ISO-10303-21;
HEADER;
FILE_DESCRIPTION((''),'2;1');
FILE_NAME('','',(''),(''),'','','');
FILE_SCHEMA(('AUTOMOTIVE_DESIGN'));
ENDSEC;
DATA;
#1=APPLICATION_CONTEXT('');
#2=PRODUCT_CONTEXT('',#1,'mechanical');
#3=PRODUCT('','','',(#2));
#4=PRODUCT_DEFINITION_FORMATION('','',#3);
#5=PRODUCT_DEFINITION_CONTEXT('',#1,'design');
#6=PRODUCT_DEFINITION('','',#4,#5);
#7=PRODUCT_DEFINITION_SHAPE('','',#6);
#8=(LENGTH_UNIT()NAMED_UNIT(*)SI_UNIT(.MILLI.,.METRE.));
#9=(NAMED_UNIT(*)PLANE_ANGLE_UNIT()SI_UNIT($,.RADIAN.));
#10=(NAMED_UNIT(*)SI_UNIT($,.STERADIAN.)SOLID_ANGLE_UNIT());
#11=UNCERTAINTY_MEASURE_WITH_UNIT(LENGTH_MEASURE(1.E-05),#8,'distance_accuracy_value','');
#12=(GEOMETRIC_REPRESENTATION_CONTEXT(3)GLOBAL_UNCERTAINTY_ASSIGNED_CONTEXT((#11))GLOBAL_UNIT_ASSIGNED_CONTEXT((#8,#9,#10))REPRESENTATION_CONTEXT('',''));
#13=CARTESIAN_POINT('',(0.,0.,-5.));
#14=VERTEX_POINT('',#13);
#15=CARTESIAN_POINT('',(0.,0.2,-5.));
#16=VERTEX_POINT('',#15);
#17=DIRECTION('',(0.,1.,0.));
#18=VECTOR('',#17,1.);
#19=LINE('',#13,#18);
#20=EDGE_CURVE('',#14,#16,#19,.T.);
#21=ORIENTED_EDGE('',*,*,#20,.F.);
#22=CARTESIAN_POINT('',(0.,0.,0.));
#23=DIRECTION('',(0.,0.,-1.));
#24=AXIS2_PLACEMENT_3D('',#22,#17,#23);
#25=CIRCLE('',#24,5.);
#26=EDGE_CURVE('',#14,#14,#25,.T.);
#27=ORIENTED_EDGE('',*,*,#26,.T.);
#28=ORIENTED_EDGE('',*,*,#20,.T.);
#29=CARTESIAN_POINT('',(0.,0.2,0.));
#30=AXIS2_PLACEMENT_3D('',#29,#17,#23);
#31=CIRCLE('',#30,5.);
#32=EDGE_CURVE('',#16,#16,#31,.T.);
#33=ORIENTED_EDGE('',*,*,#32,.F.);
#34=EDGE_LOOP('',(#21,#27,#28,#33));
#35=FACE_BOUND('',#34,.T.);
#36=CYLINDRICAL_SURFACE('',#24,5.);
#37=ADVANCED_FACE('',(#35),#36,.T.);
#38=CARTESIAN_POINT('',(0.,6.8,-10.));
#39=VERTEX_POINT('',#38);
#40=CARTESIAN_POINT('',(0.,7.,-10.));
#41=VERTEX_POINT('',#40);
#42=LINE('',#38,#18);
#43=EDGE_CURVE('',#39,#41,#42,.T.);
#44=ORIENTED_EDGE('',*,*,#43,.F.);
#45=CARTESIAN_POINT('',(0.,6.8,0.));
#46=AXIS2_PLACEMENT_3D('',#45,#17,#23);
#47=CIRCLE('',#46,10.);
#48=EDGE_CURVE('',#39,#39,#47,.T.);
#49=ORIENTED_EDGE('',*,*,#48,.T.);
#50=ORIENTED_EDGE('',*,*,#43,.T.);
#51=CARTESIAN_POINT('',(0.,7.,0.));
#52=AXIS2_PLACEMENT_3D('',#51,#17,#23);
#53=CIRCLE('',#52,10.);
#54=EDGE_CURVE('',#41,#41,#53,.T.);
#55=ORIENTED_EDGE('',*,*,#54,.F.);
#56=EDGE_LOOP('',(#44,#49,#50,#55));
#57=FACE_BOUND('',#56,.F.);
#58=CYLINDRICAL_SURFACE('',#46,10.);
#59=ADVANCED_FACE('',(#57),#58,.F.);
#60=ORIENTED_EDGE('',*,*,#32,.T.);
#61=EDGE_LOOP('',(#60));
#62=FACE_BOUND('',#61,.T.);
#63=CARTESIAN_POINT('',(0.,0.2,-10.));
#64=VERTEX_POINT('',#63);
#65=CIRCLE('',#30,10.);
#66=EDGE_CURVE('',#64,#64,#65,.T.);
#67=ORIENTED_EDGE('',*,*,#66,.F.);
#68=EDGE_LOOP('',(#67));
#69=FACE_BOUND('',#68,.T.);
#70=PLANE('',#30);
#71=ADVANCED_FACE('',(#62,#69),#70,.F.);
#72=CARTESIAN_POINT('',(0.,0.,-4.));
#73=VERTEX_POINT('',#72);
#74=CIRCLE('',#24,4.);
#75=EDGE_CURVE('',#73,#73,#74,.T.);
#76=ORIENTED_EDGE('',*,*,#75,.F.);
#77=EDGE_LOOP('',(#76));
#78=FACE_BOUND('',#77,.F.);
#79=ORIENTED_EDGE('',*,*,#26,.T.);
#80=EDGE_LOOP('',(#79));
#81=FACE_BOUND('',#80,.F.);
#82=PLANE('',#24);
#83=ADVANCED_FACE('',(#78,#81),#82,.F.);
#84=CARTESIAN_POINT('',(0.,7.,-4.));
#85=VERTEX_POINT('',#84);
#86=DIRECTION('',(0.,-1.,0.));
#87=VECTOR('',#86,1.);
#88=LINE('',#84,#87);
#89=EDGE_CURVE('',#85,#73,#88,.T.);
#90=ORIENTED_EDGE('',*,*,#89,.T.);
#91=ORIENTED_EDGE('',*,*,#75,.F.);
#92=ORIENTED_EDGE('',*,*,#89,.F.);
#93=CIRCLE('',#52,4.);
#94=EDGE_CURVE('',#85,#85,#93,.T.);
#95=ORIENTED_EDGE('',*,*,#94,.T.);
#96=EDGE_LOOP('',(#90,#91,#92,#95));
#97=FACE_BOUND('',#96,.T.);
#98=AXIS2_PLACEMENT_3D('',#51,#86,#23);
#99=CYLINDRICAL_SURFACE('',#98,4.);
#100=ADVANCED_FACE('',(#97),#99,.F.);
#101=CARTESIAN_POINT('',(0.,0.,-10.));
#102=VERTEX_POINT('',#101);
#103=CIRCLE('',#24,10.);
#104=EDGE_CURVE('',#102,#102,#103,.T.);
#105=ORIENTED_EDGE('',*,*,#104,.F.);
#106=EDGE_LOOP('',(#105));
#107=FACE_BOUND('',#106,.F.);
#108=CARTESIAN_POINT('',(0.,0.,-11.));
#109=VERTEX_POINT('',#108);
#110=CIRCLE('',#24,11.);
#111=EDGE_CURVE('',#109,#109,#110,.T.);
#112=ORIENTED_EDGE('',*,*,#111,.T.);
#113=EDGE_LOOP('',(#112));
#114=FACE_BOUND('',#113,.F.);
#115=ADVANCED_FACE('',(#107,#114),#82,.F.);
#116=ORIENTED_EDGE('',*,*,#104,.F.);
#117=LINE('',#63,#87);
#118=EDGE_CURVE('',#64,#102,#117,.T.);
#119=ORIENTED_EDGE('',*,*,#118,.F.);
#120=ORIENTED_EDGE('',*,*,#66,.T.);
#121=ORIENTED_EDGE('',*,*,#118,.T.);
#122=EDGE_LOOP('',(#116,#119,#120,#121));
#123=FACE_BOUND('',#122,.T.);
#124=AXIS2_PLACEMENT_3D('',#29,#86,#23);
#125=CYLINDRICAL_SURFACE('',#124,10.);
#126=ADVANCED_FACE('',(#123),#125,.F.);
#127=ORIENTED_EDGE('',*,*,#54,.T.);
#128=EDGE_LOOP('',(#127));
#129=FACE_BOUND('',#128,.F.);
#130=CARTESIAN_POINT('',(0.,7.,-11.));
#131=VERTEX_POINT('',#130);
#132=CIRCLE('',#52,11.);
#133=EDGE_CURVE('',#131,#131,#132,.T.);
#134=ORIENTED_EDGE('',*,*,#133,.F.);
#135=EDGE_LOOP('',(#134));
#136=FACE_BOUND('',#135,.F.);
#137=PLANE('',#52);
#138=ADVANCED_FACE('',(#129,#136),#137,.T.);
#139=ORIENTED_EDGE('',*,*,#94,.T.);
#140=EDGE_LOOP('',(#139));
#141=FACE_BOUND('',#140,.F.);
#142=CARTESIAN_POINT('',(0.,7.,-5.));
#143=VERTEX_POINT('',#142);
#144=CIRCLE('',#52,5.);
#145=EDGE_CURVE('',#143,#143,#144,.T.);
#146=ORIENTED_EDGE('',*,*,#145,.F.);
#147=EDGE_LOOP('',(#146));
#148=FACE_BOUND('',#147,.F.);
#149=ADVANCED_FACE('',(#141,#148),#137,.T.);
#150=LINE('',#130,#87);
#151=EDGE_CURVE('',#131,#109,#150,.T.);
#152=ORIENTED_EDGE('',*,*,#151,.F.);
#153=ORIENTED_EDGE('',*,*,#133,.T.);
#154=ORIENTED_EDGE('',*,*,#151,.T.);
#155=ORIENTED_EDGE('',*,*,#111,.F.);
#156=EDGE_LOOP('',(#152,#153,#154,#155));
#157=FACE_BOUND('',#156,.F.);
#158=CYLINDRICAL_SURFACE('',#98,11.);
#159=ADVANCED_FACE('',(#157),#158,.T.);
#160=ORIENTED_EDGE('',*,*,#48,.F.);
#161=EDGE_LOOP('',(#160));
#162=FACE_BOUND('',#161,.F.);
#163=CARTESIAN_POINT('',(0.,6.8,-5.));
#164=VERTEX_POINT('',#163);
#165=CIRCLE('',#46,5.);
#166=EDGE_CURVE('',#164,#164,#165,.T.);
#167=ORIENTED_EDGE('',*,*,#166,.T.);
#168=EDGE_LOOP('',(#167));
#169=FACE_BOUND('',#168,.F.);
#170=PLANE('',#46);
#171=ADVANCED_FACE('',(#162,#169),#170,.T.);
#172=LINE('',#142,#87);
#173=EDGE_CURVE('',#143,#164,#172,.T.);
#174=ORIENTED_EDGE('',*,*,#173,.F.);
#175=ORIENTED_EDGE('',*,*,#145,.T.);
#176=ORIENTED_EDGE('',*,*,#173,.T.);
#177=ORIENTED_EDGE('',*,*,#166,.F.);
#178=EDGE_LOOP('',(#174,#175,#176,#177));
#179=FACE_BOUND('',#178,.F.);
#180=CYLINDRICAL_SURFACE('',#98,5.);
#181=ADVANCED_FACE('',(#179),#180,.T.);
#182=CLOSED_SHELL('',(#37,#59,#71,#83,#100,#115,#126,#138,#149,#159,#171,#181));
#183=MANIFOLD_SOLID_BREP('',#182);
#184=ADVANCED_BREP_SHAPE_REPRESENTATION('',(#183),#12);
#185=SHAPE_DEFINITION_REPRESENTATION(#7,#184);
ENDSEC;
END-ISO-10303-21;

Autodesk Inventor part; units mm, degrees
ref_plane "YZ Plane" through (0, 0, 0) normal (1, 0, 0) x (0, 1, 0)
ref_plane "XZ Plane" through (0, 0, 0) normal (0, 1, 0) x (-1, 0, 0)
ref_plane "XY Plane" through (0, 0, 0) normal (0, 0, 1) x (1, 0, 0)
sketch "Sketch1" plane through (0, 0, 0) normal (1, 0, 0) x (0, 1, 0)
  line L0 (0, 0) -> (7, 0) construction
  line L1 (7, 0) -> (7, -4) construction
  line L2 (7, -4) -> (0, -4)
  line L3 (0, -4) -> (0, 0) construction
  line L4 (7, -11) -> (0, -11)
  line L5 (7, -5) -> (6.8, -5)
  line L6 (6.8, -5) -> (6.8, -10)
  line L7 (6.8, -10) -> (7, -10)
  line L8 (0, -5) -> (0.2, -5)
  line L9 (0.2, -5) -> (0.2, -10)
  line L10 (0.2, -10) -> (0, -10)
  line L11 (7, -4) -> (7, -5)
  line L12 (7, -10) -> (7, -11)
  line L13 (0, -11) -> (0, -10)
  line L14 (0, -5) -> (0, -4)
  dimension "d0" = 4
  dimension "d2" = 7
  dimension "d5" = 11
  dimension "d6" = 0.2
  dimension "d7" = 1
revolve "Revolution1" add sketch "Sketch1" angle 360 about axis through (0, 0, 0) along (0, 1, 0)
properties part number "608 bearing"
